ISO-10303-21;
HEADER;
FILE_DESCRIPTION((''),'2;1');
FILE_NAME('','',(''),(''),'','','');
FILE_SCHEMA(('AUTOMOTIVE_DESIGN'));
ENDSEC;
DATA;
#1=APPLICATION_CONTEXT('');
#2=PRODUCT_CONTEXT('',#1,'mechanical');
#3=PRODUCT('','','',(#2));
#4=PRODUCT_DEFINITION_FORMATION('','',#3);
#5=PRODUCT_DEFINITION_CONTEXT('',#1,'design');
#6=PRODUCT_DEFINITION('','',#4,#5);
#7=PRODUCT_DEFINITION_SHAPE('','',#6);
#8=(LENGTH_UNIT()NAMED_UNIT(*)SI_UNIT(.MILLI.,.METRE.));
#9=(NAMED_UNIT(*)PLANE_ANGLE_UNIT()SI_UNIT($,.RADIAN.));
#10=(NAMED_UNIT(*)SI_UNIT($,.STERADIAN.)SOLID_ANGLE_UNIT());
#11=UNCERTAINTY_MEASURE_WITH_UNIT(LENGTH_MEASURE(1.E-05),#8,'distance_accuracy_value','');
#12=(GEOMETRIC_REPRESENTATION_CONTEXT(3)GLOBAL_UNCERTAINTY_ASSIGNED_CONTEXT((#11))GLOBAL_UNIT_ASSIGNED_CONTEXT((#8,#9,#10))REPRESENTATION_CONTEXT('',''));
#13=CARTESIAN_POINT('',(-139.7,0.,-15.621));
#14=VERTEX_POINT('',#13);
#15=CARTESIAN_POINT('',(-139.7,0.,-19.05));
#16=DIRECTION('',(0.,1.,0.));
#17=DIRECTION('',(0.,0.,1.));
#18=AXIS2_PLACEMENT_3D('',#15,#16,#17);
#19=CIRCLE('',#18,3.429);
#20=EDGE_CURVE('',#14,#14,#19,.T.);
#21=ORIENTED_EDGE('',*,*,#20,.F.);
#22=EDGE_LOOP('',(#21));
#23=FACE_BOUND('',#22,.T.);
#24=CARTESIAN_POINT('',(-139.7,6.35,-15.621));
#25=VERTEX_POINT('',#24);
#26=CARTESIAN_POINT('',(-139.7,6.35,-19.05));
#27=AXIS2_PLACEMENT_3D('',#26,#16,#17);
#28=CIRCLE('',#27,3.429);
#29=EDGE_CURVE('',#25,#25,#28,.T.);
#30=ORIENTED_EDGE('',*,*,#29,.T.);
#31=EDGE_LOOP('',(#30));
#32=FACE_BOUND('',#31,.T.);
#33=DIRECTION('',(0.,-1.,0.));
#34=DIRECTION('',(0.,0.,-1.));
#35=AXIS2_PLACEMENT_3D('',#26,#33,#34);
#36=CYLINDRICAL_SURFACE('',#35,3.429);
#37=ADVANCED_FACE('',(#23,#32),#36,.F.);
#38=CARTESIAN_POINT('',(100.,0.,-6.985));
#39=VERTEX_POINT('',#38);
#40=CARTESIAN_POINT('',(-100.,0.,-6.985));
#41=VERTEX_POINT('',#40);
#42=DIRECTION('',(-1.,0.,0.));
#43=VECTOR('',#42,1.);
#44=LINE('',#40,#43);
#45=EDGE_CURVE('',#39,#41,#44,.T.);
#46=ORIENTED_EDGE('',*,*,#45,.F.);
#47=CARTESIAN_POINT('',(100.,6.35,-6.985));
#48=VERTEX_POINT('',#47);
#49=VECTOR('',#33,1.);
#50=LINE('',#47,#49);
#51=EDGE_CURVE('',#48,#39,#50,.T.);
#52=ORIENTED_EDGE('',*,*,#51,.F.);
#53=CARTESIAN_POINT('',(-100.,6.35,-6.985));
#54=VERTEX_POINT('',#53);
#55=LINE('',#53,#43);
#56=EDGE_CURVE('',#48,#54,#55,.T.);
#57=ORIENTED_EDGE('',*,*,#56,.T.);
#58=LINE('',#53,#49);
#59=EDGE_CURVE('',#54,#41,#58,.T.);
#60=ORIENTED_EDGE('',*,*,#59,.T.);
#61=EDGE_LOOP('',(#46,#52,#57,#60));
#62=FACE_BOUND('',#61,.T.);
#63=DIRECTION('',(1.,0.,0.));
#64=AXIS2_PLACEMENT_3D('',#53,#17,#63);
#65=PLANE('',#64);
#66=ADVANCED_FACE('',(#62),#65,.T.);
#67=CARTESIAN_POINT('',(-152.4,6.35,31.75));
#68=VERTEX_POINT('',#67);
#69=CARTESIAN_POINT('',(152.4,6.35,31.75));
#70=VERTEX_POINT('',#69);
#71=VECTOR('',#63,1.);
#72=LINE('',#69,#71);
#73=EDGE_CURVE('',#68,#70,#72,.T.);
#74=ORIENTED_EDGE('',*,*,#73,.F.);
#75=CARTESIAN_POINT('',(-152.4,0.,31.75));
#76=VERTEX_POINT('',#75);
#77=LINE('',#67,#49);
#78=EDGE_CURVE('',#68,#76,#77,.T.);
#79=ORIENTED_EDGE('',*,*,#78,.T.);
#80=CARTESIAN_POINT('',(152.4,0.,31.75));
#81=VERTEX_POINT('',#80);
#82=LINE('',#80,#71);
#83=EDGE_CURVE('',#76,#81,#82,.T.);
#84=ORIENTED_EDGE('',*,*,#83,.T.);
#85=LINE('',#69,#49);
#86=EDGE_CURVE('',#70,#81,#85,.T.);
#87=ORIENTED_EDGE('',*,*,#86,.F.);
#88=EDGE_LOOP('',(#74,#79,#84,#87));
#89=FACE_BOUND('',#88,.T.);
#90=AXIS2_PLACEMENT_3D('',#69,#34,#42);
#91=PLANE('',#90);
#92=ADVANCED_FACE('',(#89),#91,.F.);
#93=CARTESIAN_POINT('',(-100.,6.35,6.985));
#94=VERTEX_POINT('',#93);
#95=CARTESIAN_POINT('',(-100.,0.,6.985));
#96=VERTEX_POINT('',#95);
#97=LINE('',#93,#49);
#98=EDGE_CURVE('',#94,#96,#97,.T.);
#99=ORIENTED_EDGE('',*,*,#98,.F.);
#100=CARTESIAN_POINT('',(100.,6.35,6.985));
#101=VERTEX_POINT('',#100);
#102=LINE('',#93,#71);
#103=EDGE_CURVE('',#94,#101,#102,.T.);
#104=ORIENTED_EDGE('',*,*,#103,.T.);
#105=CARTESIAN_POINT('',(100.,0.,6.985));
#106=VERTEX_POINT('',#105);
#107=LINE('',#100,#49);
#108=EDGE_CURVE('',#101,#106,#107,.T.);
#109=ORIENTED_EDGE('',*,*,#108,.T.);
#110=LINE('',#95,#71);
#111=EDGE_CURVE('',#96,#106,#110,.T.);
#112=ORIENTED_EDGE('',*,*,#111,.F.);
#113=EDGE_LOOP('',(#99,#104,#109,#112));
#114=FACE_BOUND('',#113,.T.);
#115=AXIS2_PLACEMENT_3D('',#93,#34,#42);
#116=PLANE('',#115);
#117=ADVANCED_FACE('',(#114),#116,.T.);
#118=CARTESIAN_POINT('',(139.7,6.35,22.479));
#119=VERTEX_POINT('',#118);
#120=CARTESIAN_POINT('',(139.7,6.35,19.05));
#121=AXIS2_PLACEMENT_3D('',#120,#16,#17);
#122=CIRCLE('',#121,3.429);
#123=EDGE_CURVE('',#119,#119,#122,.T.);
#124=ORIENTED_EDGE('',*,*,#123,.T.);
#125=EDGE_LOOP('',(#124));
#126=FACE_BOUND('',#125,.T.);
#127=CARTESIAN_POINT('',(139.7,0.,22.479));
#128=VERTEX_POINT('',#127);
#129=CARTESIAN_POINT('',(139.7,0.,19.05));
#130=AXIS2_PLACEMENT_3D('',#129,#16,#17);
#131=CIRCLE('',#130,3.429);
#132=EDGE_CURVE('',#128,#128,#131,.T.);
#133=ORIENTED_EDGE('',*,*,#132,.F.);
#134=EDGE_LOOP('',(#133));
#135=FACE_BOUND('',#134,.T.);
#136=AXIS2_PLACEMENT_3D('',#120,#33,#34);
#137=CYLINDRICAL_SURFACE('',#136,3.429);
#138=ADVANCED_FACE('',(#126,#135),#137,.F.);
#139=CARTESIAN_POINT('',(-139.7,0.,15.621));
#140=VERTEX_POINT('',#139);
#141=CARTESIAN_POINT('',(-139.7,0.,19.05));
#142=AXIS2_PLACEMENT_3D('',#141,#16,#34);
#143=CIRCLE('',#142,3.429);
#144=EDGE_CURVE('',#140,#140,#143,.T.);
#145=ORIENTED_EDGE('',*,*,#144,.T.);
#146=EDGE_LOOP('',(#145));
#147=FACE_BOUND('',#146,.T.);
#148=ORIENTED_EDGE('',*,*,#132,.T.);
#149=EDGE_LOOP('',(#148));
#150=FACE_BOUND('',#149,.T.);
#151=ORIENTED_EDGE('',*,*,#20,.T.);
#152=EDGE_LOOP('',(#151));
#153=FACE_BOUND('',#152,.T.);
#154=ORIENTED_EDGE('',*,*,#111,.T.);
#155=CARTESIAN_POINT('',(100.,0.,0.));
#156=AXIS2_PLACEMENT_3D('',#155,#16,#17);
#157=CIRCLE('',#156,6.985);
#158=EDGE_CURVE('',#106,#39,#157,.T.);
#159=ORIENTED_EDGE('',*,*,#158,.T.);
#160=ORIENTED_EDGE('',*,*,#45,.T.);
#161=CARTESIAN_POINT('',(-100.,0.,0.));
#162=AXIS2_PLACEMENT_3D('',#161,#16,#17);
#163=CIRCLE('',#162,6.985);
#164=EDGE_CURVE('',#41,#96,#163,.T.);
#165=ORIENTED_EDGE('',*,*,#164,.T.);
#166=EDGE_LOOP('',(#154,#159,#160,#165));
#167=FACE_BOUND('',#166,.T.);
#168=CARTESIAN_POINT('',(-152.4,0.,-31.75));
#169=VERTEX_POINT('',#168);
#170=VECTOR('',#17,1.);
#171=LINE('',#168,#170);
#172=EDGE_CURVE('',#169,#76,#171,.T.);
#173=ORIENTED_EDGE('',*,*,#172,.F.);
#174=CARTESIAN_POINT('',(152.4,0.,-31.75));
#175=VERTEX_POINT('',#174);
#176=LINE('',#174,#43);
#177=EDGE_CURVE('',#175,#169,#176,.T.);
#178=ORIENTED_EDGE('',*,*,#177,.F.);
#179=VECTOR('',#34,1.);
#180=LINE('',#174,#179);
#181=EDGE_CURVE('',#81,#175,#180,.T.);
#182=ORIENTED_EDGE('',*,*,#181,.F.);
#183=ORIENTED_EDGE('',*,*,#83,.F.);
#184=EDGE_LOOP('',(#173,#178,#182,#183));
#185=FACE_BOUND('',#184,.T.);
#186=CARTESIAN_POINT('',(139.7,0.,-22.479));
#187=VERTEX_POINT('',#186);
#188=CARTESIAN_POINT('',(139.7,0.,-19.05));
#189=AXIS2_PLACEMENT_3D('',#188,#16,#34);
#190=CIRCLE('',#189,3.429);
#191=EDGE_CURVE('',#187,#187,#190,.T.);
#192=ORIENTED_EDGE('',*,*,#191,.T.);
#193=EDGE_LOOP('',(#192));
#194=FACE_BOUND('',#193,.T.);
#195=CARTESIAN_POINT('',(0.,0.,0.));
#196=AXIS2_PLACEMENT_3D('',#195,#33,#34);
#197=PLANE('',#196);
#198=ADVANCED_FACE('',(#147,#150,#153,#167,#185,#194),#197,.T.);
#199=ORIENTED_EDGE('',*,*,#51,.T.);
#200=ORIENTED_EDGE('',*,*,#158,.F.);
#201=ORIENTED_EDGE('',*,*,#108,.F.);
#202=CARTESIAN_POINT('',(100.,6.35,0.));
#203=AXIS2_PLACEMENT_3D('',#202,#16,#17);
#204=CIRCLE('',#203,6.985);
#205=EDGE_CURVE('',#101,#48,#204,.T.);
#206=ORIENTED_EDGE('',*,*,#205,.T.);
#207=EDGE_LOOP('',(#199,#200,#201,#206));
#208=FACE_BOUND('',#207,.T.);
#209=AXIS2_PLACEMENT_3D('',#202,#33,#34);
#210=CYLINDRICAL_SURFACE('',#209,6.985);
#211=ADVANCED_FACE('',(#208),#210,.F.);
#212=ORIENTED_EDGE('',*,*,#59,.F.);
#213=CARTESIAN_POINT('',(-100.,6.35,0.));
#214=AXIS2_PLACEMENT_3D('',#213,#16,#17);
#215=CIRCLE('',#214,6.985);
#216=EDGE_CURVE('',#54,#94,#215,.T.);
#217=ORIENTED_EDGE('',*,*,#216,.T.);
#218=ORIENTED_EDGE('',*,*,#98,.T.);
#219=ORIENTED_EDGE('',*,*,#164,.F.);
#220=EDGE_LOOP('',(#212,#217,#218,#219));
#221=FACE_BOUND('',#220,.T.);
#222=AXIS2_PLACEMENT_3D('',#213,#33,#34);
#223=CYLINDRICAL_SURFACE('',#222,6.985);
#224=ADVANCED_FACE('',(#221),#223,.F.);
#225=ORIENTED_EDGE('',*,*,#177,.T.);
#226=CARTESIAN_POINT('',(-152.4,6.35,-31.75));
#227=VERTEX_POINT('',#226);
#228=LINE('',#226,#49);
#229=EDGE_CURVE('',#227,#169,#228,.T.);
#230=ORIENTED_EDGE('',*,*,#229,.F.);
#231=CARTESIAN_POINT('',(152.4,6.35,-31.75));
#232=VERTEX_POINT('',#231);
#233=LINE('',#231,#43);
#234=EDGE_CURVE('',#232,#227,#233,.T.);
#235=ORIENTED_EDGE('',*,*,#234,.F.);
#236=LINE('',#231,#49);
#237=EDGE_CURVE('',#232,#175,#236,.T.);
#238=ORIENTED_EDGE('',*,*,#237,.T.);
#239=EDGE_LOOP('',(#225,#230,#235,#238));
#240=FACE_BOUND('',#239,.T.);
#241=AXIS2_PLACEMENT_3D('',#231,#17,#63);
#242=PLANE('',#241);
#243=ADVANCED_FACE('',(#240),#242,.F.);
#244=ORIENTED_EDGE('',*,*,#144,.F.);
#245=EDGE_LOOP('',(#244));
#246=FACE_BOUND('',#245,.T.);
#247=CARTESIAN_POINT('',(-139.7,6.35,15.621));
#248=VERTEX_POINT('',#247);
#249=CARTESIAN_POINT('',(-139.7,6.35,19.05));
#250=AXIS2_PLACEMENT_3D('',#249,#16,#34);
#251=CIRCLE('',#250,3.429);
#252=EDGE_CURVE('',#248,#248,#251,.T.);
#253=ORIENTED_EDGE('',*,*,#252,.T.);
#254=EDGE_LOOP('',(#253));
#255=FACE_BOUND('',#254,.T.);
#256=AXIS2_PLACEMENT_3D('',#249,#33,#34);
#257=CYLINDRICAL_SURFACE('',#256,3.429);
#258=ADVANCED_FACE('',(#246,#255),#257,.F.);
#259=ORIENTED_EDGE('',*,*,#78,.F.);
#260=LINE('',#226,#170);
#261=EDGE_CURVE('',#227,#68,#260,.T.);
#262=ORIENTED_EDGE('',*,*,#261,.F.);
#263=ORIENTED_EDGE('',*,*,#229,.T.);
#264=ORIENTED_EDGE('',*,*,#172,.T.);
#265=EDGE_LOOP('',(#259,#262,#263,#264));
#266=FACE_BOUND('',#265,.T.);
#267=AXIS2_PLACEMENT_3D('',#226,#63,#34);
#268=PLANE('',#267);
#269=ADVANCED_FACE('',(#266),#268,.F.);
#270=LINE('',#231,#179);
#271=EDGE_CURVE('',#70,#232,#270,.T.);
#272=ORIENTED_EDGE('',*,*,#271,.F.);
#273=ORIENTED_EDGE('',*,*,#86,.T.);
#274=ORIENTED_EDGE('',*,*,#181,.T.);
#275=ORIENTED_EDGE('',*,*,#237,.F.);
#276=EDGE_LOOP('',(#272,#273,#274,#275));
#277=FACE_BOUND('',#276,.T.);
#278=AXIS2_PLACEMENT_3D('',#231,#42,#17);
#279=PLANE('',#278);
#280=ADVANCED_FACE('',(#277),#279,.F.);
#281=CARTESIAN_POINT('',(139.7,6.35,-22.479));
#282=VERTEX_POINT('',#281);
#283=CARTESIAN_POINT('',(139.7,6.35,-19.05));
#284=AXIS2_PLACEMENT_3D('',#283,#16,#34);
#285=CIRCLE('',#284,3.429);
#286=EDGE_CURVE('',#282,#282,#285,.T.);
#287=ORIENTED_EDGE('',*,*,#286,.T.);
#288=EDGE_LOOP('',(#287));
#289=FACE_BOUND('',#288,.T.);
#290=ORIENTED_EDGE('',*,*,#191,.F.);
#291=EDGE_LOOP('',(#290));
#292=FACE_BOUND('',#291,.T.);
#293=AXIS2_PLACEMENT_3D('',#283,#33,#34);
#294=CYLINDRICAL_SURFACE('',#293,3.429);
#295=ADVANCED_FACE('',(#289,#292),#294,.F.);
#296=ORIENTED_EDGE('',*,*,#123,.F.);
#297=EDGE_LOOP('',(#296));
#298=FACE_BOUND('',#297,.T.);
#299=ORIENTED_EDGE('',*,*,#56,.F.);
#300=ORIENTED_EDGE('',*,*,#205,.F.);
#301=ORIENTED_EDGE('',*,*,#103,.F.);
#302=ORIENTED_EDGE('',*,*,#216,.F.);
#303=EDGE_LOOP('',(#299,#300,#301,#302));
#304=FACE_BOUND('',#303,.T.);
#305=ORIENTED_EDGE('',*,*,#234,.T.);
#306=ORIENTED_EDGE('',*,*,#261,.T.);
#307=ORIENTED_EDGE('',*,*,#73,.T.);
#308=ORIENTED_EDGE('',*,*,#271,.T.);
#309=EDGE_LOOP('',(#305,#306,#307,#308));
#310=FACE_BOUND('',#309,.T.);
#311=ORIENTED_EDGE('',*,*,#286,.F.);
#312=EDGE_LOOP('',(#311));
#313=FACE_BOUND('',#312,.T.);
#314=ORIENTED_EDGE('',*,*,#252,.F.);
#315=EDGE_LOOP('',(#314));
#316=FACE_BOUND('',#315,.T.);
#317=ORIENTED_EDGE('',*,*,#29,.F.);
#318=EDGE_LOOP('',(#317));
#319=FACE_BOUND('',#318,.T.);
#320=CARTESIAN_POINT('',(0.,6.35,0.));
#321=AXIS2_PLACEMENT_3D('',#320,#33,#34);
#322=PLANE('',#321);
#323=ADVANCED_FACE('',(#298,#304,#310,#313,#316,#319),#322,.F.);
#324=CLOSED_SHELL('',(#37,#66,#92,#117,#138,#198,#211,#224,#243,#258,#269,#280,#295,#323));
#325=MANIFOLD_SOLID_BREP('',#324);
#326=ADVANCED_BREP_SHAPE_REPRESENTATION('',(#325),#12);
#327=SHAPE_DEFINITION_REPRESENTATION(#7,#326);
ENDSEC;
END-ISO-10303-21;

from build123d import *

# Parameters (mm, degrees)
SKETCH1_W           = 304.8
SKETCH1_H           = 63.5
SKETCH1_R           = 3.429
BOSS_EXTRUDE1_DEPTH = 6.35


with BuildPart() as part:
    # Sketch1 → Boss-Extrude1 (new body)
    with BuildSketch(Plane(origin=(0, 0, 0), x_dir=(1, 0, 0), z_dir=(0, 1, 0))):
        Rectangle(SKETCH1_W, SKETCH1_H)
        with Locations(Location((-139.7, 19.05, 0), (0, 0, 270))):
            Circle(SKETCH1_R, mode=Mode.SUBTRACT)
        with Locations(Location((139.7, 19.05, 0), (0, 0, 90))):
            Circle(SKETCH1_R, mode=Mode.SUBTRACT)
        with Locations(Location((139.7, -19.05, 0), (0, 0, 270))):
            Circle(SKETCH1_R, mode=Mode.SUBTRACT)
        with Locations(Location((-139.7, -19.05, 0), (0, 0, 90))):
            Circle(SKETCH1_R, mode=Mode.SUBTRACT)
        with BuildLine():
            Line((-100, 6.985), (100, 6.985))
            ThreePointArc((100, 6.985), (106.985, 0), (100, -6.985))
            Line((100, -6.985), (-100, -6.985))
            ThreePointArc((-100, -6.985), (-106.985, 0), (-100, 6.985))
        make_face(mode=Mode.SUBTRACT)
    extrude(amount=BOSS_EXTRUDE1_DEPTH)


solid = part.part
